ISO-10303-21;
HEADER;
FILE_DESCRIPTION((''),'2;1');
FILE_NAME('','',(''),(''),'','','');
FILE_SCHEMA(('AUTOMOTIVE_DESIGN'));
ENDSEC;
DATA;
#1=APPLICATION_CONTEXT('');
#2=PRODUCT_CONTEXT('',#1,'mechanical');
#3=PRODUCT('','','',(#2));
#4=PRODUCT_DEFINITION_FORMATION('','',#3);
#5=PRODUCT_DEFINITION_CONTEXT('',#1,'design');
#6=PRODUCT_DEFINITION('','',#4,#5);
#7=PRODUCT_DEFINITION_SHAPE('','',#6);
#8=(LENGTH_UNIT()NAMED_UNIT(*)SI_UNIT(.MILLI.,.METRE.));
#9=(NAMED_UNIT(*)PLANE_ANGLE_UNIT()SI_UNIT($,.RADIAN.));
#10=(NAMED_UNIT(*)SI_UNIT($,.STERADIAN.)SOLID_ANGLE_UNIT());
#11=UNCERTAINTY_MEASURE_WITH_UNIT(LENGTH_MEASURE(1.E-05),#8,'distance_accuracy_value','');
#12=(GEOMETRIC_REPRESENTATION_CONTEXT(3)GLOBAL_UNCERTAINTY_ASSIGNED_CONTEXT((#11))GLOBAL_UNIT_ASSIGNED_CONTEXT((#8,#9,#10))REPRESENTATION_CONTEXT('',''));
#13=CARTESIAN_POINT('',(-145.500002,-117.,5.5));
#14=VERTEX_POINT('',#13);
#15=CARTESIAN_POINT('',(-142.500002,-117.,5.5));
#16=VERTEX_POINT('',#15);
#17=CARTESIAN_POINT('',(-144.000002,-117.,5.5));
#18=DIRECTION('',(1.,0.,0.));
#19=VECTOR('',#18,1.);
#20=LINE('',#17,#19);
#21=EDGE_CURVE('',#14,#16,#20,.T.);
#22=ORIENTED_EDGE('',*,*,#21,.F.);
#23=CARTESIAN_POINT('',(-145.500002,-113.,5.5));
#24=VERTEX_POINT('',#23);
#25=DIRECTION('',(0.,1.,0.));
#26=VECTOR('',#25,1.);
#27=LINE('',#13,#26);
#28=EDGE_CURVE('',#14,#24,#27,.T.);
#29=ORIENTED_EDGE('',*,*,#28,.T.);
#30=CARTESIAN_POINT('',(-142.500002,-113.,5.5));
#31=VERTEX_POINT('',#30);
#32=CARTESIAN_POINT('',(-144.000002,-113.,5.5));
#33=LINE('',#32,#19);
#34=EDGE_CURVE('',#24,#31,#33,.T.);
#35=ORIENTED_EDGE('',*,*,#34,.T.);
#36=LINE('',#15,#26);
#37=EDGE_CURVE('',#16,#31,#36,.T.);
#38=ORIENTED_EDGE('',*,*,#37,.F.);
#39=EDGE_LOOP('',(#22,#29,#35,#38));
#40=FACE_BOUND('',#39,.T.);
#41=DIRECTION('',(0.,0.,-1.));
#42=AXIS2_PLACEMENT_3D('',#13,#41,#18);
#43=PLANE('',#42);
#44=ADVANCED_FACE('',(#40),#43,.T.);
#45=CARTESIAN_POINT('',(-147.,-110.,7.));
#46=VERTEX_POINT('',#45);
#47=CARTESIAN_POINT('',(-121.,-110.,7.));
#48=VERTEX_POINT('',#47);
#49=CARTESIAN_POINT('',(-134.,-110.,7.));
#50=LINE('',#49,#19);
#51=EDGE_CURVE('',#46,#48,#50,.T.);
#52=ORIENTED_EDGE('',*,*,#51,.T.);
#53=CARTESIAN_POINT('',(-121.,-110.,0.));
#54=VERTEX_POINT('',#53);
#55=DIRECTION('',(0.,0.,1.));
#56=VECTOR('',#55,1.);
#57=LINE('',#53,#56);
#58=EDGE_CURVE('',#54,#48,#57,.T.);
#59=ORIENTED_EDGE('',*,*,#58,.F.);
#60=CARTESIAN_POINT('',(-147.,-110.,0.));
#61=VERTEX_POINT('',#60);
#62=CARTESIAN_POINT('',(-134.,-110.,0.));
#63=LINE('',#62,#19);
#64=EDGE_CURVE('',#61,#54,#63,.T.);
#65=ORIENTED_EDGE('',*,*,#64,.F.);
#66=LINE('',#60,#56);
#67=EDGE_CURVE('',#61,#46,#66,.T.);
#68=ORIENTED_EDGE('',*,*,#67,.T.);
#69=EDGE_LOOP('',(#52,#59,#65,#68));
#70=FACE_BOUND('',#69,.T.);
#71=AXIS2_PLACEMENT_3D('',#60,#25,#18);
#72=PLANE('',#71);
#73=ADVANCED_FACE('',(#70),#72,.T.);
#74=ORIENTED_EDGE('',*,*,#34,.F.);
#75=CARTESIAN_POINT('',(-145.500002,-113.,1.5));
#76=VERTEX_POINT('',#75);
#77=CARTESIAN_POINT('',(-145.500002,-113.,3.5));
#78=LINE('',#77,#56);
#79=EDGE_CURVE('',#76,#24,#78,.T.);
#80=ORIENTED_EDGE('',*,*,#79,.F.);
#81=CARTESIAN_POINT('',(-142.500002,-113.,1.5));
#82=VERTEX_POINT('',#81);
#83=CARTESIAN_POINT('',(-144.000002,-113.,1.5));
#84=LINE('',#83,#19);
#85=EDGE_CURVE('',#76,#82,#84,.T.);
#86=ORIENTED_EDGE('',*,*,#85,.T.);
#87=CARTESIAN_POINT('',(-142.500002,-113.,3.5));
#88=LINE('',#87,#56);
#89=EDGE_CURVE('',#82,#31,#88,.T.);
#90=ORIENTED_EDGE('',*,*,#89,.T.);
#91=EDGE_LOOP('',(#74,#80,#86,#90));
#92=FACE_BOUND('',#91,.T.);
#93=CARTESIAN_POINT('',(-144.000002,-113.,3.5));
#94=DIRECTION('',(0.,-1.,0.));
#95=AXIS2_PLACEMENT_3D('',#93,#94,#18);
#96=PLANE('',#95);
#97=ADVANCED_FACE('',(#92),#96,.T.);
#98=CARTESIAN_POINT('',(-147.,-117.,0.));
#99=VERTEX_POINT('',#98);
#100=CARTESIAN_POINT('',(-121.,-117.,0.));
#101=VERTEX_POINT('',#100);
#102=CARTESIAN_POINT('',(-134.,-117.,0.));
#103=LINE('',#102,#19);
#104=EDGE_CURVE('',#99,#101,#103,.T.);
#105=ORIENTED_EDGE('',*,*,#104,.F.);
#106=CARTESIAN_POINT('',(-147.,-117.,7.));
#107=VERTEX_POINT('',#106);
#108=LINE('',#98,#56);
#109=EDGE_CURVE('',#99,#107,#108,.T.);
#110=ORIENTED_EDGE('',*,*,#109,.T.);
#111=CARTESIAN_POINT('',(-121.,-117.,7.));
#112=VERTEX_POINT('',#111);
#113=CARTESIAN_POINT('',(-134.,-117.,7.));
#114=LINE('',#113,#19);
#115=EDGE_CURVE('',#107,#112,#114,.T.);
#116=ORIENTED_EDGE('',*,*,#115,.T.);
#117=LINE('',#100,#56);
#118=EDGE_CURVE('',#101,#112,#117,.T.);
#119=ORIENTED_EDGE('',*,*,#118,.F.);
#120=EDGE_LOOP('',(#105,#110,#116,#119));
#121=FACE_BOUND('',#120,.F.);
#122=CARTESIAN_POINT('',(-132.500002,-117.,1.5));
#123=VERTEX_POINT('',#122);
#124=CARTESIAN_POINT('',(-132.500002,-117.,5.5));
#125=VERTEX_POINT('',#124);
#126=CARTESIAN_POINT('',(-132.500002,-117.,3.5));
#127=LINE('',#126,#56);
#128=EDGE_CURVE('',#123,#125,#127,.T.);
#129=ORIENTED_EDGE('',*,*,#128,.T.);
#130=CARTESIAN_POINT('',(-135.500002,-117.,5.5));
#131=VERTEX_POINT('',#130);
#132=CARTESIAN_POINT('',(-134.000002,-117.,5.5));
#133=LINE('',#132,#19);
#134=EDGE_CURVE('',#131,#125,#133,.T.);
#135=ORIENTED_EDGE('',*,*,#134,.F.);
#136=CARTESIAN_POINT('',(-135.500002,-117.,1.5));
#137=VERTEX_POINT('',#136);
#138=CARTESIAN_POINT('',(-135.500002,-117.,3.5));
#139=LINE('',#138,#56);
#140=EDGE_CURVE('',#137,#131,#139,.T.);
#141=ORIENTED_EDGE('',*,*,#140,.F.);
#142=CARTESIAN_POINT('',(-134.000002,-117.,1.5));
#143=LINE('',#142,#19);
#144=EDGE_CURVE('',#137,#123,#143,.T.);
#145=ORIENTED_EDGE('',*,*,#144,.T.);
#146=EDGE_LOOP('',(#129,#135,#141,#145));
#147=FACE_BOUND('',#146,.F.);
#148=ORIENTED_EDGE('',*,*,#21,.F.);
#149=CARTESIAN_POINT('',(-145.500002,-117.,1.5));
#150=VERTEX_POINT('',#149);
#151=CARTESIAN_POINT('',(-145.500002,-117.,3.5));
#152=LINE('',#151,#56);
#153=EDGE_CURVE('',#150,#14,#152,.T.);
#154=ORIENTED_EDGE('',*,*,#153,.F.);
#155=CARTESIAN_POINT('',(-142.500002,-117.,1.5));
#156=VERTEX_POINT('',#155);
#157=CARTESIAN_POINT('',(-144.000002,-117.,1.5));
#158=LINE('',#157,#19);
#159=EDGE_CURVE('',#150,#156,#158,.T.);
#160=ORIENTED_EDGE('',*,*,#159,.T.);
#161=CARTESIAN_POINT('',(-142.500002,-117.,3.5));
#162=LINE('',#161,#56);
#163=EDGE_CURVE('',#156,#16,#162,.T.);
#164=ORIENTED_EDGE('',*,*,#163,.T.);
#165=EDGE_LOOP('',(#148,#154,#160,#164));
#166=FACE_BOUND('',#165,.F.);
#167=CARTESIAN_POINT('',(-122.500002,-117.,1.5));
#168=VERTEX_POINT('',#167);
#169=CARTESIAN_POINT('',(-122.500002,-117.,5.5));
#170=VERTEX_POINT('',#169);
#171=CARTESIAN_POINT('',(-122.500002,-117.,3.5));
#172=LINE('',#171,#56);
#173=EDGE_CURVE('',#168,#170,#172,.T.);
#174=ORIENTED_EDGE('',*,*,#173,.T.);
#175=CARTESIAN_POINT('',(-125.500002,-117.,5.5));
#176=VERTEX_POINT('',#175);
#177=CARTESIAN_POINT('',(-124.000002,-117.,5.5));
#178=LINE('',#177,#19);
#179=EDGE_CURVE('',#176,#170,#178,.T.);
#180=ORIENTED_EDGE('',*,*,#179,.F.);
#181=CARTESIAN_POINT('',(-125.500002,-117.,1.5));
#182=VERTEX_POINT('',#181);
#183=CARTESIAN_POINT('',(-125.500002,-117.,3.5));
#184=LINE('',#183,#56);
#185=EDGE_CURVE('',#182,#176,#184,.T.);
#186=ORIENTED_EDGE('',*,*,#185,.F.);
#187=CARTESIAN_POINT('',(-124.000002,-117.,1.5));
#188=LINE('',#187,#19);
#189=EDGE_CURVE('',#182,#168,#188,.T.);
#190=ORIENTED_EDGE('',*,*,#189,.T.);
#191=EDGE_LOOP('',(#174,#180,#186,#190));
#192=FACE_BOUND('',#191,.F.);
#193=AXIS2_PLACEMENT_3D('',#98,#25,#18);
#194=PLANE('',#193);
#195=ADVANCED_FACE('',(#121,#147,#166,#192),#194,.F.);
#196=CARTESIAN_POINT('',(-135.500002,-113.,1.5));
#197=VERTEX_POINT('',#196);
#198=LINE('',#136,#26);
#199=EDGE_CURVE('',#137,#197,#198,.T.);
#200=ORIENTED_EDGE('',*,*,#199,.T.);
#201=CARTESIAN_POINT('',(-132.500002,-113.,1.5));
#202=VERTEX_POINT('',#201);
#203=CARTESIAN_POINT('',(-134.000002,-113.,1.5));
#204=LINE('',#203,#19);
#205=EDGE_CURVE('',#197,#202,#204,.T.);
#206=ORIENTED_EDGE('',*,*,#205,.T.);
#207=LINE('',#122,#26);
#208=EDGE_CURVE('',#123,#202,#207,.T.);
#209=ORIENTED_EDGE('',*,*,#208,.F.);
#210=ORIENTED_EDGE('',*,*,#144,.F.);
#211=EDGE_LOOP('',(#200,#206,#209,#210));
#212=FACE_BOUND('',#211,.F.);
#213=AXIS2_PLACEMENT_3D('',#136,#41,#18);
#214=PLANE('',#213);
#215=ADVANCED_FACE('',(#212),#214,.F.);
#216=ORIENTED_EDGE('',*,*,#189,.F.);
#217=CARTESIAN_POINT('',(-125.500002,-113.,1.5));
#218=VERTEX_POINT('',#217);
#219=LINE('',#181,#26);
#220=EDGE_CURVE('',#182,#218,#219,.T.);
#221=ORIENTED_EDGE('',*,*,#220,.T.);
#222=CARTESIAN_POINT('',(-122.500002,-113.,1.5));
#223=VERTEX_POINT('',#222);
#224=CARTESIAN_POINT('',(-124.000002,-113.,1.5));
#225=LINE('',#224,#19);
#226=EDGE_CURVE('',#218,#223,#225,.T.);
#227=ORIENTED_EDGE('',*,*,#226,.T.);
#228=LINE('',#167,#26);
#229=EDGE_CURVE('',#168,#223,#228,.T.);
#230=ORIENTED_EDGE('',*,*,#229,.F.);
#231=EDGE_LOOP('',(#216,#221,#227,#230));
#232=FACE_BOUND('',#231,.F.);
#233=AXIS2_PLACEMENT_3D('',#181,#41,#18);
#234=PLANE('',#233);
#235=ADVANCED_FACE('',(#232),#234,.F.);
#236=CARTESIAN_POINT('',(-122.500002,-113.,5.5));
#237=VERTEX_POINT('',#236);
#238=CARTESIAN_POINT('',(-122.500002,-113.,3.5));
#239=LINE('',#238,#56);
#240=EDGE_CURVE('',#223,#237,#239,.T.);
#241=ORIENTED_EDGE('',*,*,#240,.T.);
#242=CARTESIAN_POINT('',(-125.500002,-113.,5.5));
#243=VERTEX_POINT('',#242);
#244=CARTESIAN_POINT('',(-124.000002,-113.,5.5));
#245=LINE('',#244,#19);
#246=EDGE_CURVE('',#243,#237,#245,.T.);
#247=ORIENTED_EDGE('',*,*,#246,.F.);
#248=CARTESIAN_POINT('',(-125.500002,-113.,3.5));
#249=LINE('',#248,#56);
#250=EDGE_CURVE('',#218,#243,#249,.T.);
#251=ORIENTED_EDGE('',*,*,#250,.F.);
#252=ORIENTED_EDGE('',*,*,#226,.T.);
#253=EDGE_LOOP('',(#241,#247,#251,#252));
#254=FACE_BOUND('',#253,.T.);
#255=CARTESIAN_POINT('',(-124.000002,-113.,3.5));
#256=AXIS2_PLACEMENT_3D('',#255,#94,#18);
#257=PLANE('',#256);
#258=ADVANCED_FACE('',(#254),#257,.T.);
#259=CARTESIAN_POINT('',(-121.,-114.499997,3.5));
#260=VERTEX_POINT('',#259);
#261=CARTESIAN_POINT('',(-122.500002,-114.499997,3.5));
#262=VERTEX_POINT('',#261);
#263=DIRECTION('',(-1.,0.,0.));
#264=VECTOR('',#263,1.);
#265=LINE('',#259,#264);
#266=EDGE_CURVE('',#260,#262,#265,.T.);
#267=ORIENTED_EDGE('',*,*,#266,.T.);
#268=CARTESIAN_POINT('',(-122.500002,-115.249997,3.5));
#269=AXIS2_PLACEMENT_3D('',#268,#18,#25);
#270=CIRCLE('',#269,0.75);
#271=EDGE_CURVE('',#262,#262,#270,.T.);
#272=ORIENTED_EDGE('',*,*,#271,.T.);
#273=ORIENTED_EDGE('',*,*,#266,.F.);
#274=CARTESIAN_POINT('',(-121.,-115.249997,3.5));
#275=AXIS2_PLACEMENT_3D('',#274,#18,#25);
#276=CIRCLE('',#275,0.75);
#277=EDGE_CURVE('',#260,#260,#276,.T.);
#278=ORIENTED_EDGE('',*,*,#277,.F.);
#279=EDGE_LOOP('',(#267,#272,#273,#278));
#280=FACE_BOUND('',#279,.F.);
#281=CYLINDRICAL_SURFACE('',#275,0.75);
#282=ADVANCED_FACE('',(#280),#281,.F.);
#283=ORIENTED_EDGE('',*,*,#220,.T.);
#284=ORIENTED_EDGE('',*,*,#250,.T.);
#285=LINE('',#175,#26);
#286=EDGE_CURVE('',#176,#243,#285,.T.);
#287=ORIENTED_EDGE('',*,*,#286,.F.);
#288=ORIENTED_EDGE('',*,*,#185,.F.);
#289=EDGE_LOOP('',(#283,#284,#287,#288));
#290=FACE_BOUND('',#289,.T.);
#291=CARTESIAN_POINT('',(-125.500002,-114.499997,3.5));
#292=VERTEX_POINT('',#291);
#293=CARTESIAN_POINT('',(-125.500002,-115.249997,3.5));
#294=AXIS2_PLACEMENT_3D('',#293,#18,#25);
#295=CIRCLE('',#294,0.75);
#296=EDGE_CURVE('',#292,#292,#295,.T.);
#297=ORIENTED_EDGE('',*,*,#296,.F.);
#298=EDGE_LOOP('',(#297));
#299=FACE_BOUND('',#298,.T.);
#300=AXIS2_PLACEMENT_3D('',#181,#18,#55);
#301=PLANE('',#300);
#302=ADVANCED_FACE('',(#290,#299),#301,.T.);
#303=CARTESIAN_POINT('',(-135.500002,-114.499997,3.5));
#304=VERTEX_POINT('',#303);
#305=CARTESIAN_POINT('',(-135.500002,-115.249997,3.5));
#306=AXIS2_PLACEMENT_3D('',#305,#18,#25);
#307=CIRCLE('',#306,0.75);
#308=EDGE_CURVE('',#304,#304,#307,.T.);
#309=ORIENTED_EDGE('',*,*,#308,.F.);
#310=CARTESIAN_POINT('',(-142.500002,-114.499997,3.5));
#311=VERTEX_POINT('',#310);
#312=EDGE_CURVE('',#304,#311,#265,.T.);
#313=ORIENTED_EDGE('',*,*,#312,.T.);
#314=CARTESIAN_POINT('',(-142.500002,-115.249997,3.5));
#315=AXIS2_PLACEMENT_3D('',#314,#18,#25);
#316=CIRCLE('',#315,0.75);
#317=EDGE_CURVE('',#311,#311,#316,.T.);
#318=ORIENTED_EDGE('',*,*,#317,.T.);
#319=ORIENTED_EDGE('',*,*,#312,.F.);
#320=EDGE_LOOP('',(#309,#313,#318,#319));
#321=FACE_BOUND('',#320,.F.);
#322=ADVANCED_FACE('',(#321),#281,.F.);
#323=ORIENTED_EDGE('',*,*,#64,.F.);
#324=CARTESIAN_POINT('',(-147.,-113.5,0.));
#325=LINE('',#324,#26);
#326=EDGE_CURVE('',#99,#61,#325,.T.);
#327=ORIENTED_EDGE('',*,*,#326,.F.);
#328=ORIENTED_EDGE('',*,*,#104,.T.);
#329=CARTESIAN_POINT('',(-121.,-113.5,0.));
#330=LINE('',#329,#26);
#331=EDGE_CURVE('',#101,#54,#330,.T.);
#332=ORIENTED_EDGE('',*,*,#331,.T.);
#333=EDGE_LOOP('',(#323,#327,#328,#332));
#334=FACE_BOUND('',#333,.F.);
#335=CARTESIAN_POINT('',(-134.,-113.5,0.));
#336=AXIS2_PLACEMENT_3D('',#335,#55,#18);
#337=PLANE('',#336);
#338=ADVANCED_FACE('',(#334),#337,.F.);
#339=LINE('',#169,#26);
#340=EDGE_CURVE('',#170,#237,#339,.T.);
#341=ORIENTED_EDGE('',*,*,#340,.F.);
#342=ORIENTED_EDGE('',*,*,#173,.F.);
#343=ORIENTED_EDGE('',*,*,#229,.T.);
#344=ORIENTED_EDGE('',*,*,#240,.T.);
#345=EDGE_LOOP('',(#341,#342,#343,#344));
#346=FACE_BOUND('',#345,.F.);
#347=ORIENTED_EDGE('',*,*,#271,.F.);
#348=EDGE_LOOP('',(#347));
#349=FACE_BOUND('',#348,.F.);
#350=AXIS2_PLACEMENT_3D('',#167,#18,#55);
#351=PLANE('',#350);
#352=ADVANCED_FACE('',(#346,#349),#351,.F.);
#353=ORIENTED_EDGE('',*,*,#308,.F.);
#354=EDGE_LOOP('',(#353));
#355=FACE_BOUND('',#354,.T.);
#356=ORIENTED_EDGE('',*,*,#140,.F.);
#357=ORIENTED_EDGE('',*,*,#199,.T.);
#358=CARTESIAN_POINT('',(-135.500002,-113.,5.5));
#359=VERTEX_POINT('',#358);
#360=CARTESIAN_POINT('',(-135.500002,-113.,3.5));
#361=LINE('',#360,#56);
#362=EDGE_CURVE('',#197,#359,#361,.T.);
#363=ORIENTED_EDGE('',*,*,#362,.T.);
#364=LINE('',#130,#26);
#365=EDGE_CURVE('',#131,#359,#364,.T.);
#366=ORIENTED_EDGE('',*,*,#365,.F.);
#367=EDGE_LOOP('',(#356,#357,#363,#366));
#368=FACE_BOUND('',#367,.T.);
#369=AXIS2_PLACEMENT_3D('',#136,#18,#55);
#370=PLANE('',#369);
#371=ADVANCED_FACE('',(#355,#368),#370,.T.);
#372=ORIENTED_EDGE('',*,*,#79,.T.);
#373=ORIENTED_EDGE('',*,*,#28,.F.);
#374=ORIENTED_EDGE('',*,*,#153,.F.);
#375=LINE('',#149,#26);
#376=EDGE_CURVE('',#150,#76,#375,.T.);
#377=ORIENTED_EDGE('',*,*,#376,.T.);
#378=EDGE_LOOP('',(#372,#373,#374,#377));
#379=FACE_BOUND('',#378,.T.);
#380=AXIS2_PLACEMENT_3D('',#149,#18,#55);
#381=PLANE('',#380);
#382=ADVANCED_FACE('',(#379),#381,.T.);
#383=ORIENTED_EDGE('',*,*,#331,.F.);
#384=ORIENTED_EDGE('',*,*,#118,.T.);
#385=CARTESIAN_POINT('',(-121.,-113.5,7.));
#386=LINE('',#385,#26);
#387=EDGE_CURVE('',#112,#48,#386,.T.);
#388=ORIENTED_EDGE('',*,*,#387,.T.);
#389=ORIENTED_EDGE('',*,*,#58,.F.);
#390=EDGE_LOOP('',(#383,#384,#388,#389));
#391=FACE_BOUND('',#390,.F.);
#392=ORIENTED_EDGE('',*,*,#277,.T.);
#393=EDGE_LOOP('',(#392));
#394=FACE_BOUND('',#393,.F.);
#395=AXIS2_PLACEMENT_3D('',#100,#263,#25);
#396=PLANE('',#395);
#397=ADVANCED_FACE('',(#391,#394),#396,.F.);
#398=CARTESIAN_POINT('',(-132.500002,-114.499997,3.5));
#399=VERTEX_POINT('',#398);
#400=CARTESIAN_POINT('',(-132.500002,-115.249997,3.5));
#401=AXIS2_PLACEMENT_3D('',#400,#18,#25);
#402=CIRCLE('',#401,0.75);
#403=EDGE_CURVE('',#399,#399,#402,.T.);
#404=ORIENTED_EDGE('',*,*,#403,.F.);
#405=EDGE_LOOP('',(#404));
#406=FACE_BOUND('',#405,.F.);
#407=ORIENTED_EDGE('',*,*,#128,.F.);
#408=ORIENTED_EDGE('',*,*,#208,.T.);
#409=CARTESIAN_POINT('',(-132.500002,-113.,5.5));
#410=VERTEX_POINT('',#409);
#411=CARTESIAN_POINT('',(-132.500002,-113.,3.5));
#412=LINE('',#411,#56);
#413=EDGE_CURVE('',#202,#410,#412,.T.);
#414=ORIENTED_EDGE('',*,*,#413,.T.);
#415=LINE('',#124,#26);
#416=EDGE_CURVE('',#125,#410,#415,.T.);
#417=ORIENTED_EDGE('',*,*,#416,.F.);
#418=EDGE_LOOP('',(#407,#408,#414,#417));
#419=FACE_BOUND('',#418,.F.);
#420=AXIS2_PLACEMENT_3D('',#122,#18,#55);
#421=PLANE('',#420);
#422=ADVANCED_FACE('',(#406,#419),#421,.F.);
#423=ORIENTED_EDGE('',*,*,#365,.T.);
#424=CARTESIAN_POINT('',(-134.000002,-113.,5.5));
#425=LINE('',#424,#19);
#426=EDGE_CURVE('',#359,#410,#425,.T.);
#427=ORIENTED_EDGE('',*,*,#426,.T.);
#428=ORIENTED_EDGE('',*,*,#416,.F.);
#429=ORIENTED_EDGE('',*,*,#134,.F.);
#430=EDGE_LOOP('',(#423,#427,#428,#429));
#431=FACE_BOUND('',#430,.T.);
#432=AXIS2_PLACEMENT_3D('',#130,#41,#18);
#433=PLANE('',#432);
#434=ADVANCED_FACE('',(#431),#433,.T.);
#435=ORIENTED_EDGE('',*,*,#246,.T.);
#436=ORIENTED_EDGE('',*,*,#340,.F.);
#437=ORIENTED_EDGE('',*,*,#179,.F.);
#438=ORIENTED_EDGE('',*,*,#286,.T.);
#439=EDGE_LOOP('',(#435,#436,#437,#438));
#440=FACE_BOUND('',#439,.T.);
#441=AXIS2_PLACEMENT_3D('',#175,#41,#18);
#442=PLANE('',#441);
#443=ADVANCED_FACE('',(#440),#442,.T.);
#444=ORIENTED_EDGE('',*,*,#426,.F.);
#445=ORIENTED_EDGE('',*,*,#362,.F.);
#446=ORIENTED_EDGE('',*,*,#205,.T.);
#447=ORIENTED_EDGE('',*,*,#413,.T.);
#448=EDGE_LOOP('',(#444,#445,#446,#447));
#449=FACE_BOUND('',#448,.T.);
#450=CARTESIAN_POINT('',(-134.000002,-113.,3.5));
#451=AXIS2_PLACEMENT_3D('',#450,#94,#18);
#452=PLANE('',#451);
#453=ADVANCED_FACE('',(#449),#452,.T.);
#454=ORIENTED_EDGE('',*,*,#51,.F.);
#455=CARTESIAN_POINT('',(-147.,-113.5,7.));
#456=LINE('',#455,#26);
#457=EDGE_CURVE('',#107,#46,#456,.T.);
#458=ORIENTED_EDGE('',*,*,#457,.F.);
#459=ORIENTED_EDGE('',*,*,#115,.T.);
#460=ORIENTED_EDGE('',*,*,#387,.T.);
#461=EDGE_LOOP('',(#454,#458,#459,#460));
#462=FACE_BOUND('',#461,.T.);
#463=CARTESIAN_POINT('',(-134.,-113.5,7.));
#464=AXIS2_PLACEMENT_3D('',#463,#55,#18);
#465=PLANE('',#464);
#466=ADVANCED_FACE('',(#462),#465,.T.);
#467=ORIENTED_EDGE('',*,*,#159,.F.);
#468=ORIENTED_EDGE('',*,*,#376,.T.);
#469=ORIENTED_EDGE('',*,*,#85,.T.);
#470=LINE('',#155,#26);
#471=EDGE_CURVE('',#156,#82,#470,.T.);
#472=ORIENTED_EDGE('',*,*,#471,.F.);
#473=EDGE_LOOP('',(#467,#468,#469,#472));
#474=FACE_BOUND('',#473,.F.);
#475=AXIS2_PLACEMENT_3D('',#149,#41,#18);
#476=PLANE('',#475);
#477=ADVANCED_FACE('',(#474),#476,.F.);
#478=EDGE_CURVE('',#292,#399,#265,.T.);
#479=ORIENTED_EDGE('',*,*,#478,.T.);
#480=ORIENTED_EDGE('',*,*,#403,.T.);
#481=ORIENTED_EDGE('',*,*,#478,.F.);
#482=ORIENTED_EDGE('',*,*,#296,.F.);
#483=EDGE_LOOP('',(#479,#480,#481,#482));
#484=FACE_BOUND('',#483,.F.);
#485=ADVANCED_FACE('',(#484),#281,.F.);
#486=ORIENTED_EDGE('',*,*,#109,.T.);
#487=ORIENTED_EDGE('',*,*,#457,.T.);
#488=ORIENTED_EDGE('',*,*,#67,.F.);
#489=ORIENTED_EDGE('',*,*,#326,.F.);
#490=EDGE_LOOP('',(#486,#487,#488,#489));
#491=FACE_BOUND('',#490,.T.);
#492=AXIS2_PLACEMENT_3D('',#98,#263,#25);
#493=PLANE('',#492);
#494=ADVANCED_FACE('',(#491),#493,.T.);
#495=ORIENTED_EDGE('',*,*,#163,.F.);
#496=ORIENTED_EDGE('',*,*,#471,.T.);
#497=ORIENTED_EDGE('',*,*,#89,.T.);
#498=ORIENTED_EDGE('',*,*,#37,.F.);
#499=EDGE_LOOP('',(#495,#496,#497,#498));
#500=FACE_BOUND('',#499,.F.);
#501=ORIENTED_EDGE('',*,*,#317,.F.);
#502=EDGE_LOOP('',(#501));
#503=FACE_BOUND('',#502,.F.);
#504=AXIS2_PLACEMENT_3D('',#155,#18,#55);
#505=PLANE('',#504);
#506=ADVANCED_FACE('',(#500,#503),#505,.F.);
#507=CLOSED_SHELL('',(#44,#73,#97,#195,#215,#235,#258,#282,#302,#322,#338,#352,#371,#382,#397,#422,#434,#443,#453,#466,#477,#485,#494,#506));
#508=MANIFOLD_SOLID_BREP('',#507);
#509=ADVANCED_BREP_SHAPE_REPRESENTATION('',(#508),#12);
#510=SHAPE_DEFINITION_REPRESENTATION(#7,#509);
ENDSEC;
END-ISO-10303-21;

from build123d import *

# Parameters (mm, degrees)
SKETCH041_W      = 26
SKETCH041_H      = 7
EXTRUDE032_DEPTH = 7
SKETCH070_W      = 3
SKETCH070_H      = 4
POCKET012_DEPTH  = 4
SKETCH071_R      = 0.75
HOLE017_DEPTH    = 24


with BuildPart() as part:
    # Sketch041 → Extrude032 (new body)
    with BuildSketch(Plane.XY):
        with Locations((-134, -113.5)):
            Rectangle(SKETCH041_W, SKETCH041_H)
    extrude(amount=EXTRUDE032_DEPTH)

    # Sketch070 (on Face3 of BaseFeature013) → Pocket012 (cut)
    with BuildSketch(Plane.XZ.offset(117)):
        with Locations((-134.000002, 3.5)):
            Rectangle(SKETCH070_W, SKETCH070_H)
        with Locations((-144.000002, 3.5)):
            Rectangle(SKETCH070_W, SKETCH070_H)
        with Locations((-124.000002, 3.5)):
            Rectangle(SKETCH070_W, SKETCH070_H)
    extrude(amount=-POCKET012_DEPTH, mode=Mode.SUBTRACT)

    # Sketch071 (on Face3 of Pocket012) → Hole017 (cut)
    with BuildSketch(Plane.YZ.offset(-121)):
        with Locations((-115.249997, 3.5)):
            Circle(SKETCH071_R)
    extrude(amount=-HOLE017_DEPTH, mode=Mode.SUBTRACT)


solid = part.part
